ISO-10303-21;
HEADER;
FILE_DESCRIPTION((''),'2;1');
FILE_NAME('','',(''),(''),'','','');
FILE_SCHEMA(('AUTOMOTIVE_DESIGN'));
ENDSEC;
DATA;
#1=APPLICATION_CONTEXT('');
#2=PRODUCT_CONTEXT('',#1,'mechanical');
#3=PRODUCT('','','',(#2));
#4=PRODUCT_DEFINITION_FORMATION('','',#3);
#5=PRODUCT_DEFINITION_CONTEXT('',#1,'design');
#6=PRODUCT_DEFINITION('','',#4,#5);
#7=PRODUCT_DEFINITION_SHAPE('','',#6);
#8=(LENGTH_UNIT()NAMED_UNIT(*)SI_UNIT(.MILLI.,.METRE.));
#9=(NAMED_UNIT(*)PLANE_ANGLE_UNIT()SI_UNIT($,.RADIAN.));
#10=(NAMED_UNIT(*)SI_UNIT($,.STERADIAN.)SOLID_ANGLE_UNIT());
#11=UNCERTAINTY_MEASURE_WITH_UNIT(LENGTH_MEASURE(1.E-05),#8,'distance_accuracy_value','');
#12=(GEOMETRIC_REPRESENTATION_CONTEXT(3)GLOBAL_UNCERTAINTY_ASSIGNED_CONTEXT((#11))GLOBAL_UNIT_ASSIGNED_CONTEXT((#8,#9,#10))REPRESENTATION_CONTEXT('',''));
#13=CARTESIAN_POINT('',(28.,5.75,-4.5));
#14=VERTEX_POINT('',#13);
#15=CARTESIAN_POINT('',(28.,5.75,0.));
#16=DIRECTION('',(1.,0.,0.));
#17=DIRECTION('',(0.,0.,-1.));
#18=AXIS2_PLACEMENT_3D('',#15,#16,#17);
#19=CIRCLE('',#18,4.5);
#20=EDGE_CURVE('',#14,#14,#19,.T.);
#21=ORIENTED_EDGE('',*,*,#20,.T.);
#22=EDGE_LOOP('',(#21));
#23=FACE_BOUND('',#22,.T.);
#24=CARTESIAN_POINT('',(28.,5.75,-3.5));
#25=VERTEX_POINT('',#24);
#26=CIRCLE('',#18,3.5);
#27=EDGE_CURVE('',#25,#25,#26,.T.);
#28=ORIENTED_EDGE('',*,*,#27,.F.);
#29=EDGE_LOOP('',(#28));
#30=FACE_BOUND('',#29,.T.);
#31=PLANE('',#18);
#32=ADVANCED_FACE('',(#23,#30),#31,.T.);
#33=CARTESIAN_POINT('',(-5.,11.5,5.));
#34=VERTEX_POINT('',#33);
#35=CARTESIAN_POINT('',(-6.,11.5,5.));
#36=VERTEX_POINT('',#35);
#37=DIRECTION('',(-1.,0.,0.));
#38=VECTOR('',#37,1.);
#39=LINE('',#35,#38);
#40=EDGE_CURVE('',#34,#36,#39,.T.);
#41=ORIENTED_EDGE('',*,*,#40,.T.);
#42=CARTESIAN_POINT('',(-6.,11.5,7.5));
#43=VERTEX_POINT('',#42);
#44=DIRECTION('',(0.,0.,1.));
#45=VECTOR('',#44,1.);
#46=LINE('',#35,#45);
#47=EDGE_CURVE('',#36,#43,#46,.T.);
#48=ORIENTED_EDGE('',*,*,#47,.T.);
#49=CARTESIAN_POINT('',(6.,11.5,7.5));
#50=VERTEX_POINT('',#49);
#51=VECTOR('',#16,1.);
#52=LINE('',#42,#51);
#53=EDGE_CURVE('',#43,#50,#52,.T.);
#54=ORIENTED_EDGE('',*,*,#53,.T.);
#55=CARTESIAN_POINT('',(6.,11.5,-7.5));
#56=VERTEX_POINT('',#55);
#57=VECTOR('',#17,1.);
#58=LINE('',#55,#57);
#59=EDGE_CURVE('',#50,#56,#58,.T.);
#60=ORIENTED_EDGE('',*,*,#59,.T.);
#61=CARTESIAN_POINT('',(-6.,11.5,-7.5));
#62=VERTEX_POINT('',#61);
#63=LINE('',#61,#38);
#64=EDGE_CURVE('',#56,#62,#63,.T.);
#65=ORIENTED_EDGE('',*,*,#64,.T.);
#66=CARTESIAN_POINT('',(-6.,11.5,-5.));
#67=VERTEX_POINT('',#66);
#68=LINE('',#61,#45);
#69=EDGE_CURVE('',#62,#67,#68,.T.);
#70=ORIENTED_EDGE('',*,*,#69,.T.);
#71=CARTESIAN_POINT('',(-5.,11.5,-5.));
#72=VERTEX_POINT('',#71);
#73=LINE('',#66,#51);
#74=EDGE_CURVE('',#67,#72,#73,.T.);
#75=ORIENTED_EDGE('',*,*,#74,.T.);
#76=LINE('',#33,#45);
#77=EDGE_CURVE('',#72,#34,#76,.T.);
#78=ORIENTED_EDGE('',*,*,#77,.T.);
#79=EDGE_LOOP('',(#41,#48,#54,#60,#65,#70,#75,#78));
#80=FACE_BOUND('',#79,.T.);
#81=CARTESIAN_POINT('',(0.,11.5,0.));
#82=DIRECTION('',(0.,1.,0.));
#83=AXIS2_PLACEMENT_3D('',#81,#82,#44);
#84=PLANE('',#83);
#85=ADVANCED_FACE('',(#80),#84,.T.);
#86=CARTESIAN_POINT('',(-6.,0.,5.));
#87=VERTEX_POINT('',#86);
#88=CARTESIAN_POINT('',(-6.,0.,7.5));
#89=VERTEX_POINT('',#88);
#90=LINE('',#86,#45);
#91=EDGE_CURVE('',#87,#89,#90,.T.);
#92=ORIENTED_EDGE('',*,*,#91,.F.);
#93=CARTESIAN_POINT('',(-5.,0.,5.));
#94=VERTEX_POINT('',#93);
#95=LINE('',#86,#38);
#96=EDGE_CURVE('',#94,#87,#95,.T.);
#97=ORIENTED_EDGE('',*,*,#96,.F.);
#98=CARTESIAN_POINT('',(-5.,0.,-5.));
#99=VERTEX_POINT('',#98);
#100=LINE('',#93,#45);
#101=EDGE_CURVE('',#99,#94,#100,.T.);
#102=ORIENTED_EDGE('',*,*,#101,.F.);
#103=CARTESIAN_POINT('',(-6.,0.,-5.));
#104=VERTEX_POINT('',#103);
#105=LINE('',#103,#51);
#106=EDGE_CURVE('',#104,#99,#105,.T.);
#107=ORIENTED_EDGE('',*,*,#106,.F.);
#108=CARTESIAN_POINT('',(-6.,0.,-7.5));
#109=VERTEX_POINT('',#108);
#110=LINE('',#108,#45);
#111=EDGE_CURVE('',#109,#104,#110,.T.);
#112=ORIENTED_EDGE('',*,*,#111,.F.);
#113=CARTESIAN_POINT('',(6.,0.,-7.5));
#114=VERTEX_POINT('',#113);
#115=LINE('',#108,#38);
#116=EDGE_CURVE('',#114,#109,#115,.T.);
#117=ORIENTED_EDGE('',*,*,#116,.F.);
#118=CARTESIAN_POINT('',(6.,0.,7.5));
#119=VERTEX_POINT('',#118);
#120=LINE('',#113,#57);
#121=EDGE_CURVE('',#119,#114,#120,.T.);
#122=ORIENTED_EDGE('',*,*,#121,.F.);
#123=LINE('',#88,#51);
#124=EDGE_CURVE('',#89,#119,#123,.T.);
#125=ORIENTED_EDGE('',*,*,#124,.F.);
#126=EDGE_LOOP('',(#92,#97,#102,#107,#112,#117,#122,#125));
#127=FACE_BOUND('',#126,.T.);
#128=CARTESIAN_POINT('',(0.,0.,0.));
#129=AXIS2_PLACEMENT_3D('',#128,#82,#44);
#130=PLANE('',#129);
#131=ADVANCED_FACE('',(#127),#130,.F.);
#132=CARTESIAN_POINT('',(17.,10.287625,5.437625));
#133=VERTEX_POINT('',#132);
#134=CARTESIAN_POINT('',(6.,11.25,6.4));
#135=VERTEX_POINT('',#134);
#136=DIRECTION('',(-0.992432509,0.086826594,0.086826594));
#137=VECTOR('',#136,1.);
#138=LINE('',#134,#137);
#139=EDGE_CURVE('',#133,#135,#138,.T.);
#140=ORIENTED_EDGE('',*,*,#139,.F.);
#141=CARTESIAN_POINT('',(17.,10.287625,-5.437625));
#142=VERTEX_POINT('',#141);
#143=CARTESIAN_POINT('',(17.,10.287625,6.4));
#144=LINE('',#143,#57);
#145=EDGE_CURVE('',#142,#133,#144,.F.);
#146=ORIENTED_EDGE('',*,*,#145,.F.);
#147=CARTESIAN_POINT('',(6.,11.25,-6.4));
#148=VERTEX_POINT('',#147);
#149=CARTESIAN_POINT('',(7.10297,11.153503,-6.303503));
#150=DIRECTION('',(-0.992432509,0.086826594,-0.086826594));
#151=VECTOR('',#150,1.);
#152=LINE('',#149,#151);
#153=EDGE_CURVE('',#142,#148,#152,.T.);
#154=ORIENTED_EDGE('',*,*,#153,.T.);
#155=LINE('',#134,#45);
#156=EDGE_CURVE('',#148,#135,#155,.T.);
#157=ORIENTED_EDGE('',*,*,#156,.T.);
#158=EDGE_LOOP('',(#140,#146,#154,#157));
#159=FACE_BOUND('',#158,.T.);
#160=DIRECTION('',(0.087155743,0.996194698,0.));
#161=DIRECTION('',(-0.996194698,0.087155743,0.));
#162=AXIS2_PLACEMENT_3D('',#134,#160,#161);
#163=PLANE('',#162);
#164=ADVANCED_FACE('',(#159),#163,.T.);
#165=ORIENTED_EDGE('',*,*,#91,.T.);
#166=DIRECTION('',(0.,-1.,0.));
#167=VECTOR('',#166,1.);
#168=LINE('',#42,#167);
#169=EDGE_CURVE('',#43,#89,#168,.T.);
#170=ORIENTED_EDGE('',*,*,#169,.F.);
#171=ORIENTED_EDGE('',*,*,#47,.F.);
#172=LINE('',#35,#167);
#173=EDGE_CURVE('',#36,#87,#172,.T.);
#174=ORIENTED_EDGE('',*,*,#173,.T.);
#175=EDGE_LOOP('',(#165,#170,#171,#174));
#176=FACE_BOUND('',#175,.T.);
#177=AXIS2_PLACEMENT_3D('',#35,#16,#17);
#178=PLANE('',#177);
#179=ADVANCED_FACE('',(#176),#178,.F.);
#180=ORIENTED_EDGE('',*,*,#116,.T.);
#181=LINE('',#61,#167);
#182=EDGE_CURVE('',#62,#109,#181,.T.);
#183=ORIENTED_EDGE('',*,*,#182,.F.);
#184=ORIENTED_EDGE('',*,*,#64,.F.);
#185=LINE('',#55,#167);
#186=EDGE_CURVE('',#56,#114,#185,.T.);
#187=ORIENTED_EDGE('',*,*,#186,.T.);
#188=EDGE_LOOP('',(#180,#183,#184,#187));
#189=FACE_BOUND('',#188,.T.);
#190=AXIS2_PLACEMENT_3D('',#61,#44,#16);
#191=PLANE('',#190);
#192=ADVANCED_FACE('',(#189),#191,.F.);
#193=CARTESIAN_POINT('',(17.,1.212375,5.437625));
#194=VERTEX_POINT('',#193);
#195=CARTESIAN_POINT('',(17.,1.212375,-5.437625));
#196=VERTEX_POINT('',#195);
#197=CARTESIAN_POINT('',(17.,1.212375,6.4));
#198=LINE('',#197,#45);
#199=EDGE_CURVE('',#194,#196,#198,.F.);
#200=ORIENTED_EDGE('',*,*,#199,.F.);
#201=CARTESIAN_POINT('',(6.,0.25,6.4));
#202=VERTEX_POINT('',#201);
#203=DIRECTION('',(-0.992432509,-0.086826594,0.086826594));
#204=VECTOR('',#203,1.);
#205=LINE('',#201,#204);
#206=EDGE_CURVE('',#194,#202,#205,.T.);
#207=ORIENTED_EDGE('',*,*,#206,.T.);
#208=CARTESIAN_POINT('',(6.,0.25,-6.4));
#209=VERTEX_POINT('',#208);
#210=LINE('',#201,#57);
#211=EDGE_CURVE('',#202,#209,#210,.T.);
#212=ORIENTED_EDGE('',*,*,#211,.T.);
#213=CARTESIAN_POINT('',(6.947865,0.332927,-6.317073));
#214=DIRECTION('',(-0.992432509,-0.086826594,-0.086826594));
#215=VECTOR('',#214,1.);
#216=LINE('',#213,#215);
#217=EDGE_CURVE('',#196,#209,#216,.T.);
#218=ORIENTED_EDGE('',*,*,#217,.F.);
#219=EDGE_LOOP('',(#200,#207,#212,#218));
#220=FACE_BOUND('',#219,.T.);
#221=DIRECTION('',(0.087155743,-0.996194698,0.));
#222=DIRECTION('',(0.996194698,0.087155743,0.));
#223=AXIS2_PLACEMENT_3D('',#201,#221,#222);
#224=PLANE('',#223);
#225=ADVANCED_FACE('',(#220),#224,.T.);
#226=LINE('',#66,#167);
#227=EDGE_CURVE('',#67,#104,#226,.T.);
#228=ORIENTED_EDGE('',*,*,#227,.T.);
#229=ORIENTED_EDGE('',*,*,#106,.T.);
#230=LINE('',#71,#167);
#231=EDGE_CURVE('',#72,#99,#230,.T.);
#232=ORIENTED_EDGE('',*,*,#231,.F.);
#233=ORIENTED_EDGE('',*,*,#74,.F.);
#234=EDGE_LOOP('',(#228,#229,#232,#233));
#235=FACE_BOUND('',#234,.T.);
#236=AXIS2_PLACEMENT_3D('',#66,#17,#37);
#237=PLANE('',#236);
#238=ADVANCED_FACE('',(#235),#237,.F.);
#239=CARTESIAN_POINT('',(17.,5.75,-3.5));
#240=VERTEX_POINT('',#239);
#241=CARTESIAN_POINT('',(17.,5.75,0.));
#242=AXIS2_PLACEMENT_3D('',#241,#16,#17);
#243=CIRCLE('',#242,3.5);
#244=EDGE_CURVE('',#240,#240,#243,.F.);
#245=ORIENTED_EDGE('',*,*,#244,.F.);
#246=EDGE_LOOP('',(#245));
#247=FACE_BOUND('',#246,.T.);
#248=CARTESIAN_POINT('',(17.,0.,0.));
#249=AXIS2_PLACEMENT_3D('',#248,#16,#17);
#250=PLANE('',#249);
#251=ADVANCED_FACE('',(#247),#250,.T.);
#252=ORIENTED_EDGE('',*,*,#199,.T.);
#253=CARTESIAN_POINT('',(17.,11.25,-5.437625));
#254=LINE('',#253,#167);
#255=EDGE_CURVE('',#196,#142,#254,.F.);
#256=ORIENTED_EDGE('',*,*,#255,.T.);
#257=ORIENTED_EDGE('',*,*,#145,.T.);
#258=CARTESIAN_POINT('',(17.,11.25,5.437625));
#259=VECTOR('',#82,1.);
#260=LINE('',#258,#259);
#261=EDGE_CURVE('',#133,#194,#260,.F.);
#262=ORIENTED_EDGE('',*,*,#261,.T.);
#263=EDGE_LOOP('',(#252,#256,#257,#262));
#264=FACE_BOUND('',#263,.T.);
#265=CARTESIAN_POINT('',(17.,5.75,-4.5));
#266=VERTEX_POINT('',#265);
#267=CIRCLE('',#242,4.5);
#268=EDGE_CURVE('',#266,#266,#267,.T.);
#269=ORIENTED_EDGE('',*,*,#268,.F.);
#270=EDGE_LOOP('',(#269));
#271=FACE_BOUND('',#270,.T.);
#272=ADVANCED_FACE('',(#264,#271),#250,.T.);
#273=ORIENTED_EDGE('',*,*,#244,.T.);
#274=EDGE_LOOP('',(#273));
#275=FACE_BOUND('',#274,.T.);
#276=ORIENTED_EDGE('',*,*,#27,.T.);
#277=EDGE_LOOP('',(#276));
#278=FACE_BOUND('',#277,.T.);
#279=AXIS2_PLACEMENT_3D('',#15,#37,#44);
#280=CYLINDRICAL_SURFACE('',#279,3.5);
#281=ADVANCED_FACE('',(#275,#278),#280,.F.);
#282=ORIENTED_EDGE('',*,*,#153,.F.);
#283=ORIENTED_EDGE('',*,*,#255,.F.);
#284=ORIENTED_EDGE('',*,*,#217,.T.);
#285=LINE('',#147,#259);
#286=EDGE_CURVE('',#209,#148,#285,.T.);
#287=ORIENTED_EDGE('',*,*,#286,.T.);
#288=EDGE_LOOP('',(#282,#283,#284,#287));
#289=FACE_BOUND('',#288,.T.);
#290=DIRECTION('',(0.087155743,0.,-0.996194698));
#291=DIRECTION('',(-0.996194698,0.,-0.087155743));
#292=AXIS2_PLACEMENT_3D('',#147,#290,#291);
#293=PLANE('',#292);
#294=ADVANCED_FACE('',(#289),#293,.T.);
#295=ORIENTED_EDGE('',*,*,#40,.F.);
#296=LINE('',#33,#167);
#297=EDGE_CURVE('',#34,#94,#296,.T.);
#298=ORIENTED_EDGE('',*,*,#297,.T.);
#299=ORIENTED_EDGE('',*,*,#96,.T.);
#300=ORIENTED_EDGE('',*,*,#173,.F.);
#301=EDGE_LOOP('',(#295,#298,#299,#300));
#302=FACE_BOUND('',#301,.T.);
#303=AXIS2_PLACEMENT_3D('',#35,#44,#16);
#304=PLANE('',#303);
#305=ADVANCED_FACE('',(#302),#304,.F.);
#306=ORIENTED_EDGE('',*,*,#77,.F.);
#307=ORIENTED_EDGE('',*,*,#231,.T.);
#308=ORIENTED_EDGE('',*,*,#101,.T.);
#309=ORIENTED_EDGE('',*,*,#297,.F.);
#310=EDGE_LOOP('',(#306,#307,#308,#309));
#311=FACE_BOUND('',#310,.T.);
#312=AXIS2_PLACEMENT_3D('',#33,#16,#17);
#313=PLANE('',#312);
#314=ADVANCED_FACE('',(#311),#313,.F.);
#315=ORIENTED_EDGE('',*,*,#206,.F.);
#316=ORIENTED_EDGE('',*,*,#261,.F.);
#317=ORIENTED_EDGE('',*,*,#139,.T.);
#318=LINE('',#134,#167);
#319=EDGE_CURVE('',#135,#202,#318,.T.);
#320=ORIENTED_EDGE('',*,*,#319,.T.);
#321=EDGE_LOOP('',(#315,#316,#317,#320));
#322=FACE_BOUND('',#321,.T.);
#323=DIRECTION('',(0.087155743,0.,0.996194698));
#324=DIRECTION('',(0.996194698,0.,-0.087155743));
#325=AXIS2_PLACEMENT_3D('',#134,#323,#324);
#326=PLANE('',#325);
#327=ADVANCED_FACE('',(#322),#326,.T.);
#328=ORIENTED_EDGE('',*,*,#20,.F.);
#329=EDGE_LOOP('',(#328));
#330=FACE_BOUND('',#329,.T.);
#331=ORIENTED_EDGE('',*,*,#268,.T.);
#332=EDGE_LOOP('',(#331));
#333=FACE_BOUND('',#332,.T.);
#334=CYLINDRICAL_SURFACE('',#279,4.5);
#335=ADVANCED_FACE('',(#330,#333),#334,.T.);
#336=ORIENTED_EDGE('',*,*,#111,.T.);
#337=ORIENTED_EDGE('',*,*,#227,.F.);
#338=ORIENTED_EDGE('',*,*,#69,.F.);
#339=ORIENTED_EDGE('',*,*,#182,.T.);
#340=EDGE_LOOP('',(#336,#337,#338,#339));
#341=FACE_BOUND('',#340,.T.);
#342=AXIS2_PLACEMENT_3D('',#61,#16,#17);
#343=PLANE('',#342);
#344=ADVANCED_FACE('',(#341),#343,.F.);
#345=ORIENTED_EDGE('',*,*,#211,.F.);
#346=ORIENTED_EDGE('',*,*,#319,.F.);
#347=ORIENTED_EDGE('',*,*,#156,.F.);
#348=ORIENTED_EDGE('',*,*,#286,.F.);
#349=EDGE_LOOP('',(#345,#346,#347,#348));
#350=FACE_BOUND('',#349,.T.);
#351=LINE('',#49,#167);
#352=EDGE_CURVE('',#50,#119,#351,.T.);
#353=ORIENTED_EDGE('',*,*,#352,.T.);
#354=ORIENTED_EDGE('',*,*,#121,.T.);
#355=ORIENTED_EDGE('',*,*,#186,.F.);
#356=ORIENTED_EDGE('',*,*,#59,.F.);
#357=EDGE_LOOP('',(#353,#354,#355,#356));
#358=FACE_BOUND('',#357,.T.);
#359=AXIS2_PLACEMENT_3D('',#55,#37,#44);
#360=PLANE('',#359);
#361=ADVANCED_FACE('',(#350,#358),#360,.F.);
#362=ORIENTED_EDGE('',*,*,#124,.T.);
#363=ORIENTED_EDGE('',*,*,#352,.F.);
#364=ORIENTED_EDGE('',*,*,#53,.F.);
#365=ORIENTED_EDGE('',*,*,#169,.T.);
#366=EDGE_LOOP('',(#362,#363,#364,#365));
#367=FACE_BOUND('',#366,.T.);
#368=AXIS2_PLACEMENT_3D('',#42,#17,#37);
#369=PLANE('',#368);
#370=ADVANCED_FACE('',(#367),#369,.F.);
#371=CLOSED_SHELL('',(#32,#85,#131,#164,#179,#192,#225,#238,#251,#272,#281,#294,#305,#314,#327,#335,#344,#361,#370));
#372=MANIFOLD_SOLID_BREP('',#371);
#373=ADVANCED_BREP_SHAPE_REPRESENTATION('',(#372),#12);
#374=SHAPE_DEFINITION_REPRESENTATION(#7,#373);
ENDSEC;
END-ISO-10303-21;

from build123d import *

# Parameters (mm, degrees)
BOSS_EXTRUDE1_DEPTH = 11.5
SKETCH4_W           = 12.8
SKETCH4_H           = 11
BOSS_EXTRUDE2_DEPTH = 11
BOSS_EXTRUDE2_TAPER = 5
SKETCH5_R           = 4.5
SKETCH5_R_2         = 3.5
BOSS_EXTRUDE3_DEPTH = 11


with BuildPart() as part:
    # Sketch2 → Boss-Extrude1 (new body)
    with BuildSketch(Plane(origin=(0, 0, 0), x_dir=(1, 0, 0), z_dir=(0, 1, 0))):
        Polygon((-6, -5), (-6, -7.5), (6, -7.5), (6, 7.5), (-6, 7.5), (-6, 5), (-5, 5), (-5, -5), align=None)
    extrude(amount=BOSS_EXTRUDE1_DEPTH)

    # Sketch4 → Boss-Extrude2 (add)
    with BuildSketch(Plane(origin=(6, 0, 0), x_dir=(0, 0, -1), z_dir=(1, 0, 0))):
        with Locations((0, 5.75)):
            Rectangle(SKETCH4_W, SKETCH4_H)
    extrude(amount=BOSS_EXTRUDE2_DEPTH, taper=BOSS_EXTRUDE2_TAPER)

    # Sketch5 → Boss-Extrude3 (add)
    with BuildSketch(Plane(origin=(17, 0, 0), x_dir=(0, 0, -1), z_dir=(1, 0, 0))):
        with Locations((0, 5.75)):
            Circle(SKETCH5_R)
        with Locations((0, 5.75)):
            Circle(SKETCH5_R_2, mode=Mode.SUBTRACT)
    extrude(amount=BOSS_EXTRUDE3_DEPTH)


solid = part.part
